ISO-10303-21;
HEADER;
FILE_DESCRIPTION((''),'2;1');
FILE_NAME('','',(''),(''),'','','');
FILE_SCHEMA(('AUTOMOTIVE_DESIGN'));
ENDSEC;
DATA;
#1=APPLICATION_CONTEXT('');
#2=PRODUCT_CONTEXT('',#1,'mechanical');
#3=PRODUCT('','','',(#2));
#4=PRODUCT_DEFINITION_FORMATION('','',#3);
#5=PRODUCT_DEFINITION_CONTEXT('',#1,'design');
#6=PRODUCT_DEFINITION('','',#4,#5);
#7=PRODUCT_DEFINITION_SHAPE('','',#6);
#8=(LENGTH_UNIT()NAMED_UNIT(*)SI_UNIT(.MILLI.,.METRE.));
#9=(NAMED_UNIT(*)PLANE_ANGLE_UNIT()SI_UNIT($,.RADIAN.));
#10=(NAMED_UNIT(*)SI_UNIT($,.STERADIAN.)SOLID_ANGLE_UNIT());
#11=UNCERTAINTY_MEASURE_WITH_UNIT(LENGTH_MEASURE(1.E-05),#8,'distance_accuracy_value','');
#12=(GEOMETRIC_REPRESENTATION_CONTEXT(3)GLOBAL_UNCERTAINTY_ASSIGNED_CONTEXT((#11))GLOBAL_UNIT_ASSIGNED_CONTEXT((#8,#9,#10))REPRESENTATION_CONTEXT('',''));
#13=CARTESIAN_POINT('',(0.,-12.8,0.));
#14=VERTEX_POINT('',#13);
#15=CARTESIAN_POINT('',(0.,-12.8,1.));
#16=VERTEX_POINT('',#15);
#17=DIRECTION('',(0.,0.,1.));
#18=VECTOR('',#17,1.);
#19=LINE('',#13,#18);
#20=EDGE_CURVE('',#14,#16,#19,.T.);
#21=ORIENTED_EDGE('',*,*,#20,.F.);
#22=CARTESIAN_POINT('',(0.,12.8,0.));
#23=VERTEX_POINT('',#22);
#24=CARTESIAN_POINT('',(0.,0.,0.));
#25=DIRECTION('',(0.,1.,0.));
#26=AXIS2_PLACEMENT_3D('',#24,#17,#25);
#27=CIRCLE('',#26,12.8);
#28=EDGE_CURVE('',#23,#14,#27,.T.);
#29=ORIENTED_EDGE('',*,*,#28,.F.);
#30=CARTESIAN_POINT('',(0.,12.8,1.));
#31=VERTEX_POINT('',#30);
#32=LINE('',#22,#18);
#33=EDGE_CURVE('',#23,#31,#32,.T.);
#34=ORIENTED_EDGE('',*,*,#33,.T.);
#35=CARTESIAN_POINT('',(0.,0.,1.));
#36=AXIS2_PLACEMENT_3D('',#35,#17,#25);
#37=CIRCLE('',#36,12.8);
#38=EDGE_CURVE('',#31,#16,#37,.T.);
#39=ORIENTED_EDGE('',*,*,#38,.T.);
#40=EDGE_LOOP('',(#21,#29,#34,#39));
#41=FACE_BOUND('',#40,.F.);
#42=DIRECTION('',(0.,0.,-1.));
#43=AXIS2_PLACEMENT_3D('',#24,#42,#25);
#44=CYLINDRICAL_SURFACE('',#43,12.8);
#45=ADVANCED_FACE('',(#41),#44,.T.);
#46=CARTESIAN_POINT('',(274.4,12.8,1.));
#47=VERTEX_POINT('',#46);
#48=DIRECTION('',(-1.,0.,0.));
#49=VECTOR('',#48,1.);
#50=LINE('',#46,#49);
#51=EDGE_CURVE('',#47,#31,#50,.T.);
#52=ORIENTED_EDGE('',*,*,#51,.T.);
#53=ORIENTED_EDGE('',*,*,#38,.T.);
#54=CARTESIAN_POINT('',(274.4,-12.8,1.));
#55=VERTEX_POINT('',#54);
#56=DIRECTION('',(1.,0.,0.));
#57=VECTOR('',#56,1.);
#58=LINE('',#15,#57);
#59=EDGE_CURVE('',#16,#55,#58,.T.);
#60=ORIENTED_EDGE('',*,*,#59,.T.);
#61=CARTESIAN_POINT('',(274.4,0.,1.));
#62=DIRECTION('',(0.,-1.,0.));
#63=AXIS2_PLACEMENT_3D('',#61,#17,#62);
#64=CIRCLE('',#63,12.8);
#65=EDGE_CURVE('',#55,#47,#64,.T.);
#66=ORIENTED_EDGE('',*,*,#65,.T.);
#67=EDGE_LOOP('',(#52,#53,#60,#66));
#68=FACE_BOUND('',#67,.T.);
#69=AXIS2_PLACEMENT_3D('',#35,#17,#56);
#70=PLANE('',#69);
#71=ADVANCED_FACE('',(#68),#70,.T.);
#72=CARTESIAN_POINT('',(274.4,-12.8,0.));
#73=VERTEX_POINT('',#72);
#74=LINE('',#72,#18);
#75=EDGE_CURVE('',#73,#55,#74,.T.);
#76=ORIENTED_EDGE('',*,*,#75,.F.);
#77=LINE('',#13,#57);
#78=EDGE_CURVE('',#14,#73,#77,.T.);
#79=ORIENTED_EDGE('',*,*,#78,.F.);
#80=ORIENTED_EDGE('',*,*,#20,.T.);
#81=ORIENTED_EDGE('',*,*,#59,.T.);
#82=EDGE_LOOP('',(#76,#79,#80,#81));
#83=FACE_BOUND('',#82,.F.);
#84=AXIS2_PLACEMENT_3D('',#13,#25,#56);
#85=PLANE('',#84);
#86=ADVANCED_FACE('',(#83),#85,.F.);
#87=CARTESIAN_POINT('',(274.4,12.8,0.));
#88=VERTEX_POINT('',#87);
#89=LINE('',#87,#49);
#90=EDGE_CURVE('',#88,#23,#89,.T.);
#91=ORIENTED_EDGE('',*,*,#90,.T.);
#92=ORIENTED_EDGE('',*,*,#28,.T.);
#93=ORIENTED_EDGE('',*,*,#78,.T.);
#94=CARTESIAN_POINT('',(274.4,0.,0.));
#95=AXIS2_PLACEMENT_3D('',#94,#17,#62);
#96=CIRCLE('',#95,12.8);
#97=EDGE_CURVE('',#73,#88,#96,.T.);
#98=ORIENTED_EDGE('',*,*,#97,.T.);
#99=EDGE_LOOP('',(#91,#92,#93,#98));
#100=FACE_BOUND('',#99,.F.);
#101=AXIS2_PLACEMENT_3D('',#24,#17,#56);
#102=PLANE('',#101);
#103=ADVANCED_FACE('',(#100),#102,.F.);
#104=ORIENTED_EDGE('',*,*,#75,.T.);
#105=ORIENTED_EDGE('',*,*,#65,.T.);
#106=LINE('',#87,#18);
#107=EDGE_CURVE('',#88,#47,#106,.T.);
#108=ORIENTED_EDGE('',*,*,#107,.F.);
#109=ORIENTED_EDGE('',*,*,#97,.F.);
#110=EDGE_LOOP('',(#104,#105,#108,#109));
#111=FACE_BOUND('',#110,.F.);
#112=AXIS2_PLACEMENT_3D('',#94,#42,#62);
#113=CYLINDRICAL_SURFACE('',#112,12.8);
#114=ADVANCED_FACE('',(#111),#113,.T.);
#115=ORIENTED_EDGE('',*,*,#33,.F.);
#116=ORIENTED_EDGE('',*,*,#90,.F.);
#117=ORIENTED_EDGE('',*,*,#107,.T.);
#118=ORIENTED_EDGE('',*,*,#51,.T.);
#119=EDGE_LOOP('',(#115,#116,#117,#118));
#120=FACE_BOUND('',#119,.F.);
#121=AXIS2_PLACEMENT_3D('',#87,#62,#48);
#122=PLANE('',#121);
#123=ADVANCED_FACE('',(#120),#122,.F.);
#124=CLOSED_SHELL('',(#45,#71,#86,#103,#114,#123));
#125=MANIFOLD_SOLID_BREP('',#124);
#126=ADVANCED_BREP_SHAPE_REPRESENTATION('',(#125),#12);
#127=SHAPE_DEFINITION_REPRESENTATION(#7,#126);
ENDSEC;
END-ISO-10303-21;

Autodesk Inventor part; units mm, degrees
ref_plane "YZ Plane" through (0, 0, 0) normal (1, 0, 0) x (0, 1, 0)
ref_plane "XZ Plane" through (0, 0, 0) normal (0, 1, 0) x (-1, 0, 0)
ref_plane "XY Plane" through (0, 0, 0) normal (0, 0, 1) x (1, 0, 0)
sketch "スケッチ1" plane through (0, 0, 0) normal (0, 0, 1) x (1, 0, 0)
  line L0 (0, 0) -> (274.4, 0) construction
  line L1 (0, -12.8) -> (274.4, -12.8)
  line L2 (274.4, 12.8) -> (0, 12.8)
  arc A0 (0, 12.8) -> (0, -12.8) centre (0, 0) ccw
  arc A1 (274.4, -12.8) -> (274.4, 12.8) centre (274.4, 0) ccw
  point P0 (137.2, 0)
  dimension "d0" = 274.4
  dimension "d2" = 25.6
extrude "押し出し1" add sketch "スケッチ1" along normal blind 1
